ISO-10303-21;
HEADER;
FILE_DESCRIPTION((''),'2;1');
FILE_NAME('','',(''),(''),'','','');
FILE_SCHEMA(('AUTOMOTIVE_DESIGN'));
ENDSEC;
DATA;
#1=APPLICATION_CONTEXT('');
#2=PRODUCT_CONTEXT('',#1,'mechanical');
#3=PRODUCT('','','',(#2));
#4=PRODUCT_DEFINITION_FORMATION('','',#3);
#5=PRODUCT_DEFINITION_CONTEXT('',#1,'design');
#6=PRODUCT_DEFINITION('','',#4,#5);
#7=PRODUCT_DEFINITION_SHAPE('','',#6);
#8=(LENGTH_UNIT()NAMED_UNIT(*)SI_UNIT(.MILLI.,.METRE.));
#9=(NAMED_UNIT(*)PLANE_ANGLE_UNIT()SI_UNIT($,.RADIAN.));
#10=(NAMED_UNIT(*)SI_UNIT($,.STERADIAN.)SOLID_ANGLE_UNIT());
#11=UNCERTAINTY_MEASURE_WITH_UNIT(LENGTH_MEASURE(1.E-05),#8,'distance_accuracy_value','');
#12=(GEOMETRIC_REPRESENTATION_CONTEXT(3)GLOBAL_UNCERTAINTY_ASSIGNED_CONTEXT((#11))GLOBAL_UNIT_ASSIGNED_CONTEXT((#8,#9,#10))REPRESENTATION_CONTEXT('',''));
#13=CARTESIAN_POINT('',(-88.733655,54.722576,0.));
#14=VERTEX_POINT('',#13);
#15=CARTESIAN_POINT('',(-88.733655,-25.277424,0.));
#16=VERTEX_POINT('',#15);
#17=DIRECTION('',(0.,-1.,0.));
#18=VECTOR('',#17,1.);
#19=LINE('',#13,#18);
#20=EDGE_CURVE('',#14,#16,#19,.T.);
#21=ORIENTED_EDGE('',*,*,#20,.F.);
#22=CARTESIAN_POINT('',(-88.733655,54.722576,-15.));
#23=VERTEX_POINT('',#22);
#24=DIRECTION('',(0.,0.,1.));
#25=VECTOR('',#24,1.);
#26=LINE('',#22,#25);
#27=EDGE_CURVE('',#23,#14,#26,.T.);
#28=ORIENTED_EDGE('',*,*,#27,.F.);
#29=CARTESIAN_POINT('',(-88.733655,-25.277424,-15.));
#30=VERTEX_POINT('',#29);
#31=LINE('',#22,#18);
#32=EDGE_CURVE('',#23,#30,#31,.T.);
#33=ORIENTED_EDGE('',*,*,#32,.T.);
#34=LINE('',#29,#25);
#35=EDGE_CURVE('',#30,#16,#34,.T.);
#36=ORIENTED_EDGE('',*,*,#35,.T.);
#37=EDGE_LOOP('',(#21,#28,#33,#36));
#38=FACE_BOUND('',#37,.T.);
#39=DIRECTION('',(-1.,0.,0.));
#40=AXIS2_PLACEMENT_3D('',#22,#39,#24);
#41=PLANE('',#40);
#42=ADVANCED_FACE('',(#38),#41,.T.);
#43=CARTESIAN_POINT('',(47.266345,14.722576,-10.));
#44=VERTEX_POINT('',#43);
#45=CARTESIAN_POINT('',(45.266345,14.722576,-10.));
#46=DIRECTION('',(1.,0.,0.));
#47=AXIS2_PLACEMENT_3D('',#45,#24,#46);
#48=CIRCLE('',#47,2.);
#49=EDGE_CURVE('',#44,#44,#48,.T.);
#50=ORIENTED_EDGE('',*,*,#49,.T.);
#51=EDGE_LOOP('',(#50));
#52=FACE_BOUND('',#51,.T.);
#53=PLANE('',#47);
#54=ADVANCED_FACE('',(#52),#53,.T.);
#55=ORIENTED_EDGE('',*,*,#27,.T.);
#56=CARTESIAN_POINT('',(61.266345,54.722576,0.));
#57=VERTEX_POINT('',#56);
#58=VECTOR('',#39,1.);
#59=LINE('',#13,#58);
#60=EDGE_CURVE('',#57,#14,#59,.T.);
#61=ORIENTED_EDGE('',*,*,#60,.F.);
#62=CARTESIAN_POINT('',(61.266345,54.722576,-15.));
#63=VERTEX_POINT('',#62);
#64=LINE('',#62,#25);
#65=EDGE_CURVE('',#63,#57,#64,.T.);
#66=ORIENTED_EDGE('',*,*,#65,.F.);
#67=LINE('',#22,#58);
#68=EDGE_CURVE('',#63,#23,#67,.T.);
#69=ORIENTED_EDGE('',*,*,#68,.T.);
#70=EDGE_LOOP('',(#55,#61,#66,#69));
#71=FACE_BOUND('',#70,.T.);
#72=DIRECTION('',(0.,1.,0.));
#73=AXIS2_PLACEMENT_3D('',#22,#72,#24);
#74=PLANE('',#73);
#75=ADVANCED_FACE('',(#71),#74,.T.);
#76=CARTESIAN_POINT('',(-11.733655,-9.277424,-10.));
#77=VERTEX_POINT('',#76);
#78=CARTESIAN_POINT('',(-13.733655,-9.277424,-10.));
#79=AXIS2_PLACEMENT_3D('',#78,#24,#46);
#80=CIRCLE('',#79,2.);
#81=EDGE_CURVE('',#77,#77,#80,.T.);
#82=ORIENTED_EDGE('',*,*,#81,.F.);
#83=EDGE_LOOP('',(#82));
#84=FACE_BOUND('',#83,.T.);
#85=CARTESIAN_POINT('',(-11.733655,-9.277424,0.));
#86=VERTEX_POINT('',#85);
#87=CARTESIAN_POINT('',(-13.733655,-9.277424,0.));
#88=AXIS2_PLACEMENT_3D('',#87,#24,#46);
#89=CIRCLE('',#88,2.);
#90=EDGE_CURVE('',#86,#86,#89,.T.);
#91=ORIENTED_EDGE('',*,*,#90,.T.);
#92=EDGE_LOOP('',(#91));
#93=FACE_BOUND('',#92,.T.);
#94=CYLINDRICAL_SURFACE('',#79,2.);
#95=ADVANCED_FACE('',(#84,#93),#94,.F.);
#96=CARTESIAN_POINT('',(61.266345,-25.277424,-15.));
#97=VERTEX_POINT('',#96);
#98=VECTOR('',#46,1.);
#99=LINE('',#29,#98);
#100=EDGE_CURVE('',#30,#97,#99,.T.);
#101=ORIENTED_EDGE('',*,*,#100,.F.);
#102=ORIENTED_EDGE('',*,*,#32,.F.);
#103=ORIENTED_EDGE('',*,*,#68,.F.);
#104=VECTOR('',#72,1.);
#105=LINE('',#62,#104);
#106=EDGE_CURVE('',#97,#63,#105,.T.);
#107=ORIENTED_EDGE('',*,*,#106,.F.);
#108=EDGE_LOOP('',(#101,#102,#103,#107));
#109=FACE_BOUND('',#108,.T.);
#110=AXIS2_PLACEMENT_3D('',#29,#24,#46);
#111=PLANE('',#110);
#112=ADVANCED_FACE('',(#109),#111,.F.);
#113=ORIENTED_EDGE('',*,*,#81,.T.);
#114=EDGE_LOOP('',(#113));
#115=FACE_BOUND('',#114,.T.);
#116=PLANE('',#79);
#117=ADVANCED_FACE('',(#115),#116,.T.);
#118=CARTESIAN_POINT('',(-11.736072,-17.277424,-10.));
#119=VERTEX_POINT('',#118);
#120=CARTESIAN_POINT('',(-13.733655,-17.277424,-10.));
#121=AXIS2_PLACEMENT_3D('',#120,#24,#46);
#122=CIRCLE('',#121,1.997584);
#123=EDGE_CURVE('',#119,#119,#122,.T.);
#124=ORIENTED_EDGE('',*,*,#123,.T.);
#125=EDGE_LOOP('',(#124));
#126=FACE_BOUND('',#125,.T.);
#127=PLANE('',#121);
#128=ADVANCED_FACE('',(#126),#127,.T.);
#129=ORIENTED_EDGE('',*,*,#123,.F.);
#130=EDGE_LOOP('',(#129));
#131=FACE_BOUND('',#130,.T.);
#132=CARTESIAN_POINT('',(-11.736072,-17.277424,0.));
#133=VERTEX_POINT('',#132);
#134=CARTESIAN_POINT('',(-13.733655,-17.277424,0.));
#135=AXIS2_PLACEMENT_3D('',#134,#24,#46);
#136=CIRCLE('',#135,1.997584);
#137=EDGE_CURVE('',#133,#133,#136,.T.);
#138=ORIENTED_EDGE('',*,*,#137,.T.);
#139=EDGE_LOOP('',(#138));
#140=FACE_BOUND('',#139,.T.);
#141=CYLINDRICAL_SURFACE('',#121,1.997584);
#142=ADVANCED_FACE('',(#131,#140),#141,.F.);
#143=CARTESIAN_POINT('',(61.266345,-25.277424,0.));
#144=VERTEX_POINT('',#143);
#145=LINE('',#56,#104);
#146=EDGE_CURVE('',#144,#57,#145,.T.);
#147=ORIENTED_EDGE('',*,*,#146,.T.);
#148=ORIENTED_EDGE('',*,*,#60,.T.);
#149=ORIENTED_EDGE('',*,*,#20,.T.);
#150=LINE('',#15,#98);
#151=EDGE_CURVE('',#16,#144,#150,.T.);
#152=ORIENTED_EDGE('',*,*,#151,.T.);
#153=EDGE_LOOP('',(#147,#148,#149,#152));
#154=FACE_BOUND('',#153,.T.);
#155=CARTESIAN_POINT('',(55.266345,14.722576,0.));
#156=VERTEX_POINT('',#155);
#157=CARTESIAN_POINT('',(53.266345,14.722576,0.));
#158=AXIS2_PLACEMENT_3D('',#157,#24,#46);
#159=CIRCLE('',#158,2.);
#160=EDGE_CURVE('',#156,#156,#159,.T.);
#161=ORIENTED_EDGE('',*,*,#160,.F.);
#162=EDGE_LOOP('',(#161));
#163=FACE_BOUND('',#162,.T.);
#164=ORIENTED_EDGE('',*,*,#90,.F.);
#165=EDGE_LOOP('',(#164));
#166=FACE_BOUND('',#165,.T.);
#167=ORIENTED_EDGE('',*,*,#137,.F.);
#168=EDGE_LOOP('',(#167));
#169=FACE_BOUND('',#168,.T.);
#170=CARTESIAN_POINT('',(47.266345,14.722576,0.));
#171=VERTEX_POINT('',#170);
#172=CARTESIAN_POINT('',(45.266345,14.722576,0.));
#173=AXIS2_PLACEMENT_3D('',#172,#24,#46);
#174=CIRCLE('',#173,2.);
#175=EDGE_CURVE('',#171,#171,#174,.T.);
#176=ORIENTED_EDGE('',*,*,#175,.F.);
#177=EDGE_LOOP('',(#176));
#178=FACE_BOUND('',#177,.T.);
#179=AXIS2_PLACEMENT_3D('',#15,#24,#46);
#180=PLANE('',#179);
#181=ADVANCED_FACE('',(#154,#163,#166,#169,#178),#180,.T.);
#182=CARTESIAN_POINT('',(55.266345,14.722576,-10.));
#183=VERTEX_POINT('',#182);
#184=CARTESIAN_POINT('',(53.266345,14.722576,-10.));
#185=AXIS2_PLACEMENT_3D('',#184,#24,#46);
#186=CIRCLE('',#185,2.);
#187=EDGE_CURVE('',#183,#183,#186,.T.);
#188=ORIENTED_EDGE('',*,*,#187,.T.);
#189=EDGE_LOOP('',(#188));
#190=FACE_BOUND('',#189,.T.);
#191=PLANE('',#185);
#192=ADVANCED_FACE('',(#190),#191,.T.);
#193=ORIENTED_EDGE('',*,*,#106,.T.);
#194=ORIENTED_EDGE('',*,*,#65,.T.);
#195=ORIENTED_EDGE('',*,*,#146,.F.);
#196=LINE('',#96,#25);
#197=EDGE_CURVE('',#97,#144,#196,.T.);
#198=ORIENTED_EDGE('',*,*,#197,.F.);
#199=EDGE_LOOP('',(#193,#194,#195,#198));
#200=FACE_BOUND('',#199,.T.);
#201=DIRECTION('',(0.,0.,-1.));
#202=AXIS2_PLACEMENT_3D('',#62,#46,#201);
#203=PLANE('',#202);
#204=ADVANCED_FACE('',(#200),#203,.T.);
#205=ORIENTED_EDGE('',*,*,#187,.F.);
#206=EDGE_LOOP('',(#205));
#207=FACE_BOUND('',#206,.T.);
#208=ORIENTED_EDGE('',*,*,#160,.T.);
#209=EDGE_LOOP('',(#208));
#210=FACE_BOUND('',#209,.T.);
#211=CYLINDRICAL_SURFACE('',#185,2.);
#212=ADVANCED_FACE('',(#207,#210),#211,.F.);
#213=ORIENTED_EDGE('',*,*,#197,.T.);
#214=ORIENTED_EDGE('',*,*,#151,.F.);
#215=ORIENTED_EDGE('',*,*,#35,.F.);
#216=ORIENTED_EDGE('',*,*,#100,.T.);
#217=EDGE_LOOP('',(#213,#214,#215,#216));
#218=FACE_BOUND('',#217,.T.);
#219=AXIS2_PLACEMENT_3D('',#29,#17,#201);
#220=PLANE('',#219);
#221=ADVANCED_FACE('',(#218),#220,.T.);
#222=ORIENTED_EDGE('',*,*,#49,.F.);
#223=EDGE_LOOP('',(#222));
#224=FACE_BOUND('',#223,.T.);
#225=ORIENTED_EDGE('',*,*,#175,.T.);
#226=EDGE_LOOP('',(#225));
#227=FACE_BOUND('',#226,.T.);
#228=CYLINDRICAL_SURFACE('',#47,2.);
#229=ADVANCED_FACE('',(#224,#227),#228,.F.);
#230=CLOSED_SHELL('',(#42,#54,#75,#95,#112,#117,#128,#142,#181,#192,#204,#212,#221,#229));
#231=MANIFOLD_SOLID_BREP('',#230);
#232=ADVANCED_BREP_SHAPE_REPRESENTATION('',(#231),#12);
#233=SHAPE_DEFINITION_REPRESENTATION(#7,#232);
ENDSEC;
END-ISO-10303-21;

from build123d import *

# Parameters (mm, degrees)
ESQUISSE2_W      = 150
ESQUISSE2_H      = 80
EXTRUSION1_DEPTH = 15
ESQUISSE3_R      = 1.997583562
ESQUISSE3_R_2    = 2
EXTRUSION2_DEPTH = 10


with BuildPart() as part:
    # Esquisse2 → Extrusion1 (new body)
    with BuildSketch(Plane.XY):
        with Locations((-13.733655387, 14.722576177)):
            Rectangle(ESQUISSE2_W, ESQUISSE2_H)
    extrude(amount=-EXTRUSION1_DEPTH)

    # Esquisse3 → Extrusion2 (cut)
    with BuildSketch(Plane.XY):
        with Locations((-13.733655387, -17.277423823)):
            Circle(ESQUISSE3_R)
        with Locations((-13.733655387, -9.277423823)):
            Circle(ESQUISSE3_R_2)
        with Locations((53.266344613, 14.722576177)):
            Circle(ESQUISSE3_R_2)
        with Locations((45.266344613, 14.722576177)):
            Circle(ESQUISSE3_R_2)
    extrude(amount=-EXTRUSION2_DEPTH, mode=Mode.SUBTRACT)


solid = part.part
